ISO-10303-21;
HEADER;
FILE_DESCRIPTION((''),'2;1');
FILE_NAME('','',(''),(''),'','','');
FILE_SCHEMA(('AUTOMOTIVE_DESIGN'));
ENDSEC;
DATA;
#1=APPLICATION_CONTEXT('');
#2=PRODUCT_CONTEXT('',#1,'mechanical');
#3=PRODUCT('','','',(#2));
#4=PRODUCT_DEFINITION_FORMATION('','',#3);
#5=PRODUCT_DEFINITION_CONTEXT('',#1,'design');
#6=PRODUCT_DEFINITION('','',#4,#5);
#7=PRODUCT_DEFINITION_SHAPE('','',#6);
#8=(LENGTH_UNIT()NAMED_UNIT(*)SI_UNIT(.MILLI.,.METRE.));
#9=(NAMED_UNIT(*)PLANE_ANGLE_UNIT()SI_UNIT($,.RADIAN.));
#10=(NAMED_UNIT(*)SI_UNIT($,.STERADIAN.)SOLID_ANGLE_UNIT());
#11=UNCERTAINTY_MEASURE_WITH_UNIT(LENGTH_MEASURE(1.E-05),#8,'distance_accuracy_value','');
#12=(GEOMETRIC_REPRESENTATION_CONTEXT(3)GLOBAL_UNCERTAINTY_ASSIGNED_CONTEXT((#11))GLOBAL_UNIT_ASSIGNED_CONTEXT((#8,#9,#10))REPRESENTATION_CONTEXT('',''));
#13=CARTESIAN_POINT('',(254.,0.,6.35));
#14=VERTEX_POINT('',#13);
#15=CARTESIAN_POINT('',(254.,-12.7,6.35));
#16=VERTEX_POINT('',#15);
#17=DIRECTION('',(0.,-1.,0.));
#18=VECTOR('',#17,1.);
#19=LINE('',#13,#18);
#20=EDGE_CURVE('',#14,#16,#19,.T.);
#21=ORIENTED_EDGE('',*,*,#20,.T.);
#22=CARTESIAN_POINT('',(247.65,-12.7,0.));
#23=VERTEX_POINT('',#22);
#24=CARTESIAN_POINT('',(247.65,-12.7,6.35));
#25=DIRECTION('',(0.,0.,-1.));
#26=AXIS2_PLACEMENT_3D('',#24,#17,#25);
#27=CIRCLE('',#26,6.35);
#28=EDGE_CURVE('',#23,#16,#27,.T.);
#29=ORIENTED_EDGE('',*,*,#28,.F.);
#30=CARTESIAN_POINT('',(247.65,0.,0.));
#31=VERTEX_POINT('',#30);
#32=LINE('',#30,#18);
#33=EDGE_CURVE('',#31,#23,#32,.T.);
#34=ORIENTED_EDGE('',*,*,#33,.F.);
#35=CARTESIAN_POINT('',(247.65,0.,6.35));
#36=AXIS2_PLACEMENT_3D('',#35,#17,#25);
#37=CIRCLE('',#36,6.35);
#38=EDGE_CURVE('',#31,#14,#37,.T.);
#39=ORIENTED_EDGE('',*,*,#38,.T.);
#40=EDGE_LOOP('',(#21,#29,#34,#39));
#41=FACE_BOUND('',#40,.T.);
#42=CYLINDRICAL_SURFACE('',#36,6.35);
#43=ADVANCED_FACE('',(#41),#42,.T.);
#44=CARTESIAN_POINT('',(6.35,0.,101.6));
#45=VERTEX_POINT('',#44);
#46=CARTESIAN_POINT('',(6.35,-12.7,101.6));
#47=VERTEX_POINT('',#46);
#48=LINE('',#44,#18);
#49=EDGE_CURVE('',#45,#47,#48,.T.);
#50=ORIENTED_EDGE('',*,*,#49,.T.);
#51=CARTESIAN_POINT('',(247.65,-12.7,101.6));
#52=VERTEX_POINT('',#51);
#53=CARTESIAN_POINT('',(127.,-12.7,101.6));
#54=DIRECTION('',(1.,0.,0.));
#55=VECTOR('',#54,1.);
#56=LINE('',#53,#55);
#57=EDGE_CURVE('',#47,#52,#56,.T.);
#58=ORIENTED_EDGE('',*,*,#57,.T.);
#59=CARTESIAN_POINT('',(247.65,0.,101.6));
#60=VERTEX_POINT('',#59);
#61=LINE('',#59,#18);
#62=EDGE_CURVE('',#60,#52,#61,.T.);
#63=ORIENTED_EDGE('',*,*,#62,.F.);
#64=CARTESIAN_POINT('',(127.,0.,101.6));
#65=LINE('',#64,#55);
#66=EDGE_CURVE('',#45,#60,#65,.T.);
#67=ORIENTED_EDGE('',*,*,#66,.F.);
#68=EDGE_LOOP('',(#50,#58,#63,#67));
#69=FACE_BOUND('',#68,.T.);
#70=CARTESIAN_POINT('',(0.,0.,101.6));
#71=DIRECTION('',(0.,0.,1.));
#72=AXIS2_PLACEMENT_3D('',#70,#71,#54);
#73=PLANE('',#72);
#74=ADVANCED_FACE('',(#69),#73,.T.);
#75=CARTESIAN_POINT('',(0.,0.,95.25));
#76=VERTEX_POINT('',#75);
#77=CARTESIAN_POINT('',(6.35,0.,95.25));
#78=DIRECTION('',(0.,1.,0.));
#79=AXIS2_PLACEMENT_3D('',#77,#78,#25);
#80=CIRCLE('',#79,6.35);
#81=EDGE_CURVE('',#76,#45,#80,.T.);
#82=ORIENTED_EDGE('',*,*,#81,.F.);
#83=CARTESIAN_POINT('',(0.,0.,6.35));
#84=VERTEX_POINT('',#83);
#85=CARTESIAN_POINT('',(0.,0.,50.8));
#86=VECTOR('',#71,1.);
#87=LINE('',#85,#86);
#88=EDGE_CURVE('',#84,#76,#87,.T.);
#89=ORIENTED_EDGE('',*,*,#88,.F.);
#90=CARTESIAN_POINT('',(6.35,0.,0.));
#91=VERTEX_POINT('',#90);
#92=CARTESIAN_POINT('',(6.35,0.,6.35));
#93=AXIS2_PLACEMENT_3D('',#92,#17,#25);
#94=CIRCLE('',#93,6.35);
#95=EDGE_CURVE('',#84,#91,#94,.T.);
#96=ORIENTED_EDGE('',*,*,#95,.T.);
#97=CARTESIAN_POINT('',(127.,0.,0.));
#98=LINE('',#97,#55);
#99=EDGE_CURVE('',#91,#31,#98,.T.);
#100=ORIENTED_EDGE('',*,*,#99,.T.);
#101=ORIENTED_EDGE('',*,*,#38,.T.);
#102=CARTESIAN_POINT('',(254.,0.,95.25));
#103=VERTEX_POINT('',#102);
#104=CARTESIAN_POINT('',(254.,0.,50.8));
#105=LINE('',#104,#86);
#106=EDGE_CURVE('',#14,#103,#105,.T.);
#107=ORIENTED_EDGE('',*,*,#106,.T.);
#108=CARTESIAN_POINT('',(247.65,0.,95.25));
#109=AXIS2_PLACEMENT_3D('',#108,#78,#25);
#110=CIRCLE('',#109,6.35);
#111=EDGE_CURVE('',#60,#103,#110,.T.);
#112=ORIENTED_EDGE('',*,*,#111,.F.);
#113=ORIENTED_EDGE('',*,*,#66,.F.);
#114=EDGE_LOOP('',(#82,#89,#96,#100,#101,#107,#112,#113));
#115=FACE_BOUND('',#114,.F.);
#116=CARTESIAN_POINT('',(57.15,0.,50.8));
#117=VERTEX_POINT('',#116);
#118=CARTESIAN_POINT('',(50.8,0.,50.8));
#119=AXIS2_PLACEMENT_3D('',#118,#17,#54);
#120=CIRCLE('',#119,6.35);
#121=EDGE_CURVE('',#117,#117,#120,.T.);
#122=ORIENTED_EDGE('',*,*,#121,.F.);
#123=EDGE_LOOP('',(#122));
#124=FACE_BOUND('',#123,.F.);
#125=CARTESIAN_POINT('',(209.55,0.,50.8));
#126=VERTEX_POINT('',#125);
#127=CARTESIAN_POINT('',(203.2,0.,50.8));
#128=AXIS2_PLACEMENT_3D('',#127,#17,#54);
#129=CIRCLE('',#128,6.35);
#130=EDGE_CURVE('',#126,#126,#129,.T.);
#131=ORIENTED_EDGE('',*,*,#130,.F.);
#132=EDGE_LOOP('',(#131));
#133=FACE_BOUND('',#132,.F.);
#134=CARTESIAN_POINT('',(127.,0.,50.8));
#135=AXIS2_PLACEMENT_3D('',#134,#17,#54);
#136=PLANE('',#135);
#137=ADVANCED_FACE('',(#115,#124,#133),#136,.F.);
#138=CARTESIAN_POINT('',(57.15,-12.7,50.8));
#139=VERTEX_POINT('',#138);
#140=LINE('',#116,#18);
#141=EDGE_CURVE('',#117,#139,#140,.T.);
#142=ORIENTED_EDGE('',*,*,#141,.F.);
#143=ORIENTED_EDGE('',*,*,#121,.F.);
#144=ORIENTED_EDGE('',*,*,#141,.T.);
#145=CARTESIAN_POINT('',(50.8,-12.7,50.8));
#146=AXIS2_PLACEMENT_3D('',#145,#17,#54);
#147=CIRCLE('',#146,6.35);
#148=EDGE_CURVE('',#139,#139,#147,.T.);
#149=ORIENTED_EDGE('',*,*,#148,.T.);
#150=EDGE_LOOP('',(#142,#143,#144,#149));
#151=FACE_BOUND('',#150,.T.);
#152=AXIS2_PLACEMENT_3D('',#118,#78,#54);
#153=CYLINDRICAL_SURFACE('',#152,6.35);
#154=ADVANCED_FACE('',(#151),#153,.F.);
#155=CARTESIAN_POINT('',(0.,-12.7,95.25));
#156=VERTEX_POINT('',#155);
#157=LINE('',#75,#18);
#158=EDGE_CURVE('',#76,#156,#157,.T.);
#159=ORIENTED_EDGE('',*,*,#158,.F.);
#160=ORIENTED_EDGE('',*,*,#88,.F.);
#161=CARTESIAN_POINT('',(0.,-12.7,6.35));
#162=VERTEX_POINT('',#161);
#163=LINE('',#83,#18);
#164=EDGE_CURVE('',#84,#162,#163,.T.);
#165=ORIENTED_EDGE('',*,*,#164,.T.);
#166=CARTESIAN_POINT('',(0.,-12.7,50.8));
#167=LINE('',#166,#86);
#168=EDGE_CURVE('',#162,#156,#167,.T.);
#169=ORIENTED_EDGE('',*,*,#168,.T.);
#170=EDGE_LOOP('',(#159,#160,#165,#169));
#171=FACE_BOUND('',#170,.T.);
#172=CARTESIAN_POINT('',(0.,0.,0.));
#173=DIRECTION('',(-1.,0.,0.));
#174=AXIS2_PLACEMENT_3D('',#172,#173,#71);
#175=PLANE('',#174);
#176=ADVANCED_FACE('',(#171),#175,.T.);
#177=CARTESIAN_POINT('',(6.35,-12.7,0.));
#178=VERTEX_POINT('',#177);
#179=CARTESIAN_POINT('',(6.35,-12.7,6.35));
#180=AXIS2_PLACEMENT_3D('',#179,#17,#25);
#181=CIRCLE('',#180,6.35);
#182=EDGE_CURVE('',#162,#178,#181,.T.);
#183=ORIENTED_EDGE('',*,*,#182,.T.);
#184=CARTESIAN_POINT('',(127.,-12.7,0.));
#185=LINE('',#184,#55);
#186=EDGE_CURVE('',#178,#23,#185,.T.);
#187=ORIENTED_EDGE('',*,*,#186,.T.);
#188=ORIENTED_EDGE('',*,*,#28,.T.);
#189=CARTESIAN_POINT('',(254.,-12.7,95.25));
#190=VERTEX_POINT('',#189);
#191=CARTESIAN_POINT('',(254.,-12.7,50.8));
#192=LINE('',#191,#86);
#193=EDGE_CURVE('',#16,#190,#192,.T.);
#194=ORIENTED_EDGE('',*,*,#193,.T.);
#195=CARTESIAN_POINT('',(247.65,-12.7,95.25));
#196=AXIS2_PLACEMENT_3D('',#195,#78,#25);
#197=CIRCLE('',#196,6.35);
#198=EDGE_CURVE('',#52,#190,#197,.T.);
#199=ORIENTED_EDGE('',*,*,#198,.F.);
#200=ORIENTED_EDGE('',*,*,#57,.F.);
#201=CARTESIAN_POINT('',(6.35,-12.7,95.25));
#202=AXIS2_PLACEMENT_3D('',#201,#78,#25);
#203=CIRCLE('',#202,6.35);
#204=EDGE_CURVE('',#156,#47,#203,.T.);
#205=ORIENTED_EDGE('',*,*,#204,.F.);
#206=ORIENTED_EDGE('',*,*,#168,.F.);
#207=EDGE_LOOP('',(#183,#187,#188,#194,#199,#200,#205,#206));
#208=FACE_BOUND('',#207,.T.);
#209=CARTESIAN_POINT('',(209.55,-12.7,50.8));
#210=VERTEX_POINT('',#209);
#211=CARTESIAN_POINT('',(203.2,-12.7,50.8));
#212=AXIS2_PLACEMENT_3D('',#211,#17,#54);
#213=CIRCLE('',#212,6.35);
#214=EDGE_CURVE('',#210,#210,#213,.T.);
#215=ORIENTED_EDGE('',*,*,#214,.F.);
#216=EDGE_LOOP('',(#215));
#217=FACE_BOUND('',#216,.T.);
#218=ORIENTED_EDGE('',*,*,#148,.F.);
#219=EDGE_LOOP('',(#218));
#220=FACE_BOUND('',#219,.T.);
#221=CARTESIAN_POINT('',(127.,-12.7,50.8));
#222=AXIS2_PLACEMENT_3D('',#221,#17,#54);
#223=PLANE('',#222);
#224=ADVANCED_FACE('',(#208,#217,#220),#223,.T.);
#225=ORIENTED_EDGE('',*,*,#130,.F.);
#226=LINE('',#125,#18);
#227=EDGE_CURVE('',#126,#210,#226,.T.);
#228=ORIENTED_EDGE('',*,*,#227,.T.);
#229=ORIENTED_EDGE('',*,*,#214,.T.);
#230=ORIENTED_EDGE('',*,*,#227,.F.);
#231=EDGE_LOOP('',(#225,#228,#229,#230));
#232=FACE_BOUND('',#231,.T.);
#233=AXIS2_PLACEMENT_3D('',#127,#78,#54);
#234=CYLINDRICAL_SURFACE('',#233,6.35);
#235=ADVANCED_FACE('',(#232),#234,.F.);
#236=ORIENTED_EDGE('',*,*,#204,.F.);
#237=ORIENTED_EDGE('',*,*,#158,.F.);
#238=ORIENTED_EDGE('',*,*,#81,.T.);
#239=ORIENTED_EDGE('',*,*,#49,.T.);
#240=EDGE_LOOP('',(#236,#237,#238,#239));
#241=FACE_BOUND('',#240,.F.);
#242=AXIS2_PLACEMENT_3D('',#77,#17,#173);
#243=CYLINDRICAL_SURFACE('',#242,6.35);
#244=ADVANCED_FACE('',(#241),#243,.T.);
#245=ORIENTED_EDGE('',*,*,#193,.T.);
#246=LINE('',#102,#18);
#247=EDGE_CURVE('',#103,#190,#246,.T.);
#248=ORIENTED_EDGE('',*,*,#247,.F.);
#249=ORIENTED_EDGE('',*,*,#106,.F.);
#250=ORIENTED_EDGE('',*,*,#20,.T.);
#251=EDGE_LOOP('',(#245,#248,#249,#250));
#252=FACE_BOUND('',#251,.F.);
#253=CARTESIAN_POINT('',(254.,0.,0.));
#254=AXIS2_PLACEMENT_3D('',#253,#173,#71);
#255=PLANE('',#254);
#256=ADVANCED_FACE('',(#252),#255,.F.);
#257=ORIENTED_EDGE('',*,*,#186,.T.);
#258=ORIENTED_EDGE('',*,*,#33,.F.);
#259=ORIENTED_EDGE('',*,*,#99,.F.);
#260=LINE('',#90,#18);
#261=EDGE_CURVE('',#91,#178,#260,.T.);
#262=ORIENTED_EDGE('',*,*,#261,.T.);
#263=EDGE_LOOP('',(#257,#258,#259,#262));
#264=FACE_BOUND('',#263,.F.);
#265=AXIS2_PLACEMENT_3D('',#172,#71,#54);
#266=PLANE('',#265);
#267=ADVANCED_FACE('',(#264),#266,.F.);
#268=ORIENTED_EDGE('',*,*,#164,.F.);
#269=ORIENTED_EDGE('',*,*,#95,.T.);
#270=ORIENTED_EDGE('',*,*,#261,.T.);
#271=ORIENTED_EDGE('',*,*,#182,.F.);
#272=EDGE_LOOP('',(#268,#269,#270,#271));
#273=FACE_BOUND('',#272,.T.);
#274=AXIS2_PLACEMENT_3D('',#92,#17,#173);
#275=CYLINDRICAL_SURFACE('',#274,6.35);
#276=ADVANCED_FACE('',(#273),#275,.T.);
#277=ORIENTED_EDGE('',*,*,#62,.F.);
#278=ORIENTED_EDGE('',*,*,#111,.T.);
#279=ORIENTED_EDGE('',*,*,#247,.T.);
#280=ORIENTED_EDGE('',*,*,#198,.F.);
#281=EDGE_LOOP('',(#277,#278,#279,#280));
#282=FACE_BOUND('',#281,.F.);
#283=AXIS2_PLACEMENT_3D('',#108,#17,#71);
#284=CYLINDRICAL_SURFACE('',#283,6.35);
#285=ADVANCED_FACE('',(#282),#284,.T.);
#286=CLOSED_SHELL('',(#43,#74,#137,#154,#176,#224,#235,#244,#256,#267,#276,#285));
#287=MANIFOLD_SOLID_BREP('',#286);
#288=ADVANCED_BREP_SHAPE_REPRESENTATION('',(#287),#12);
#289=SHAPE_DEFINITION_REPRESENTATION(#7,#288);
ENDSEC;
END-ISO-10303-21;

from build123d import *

# Parameters (mm, degrees)
F0_W     = 254
F0_H     = 101.6
F0_R     = 6.35
F1_DEPTH = 12.7
F2_R     = 6.35


with BuildPart() as f1:
    # F0 (on Front) → F1 (new body)
    with BuildSketch(Plane.XZ):
        with Locations((127, 50.8)):
            Rectangle(F0_W, F0_H)
        with Locations((50.8, 50.8)):
            Circle(F0_R, mode=Mode.SUBTRACT)
        with Locations((203.2, 50.8)):
            Circle(F0_R, mode=Mode.SUBTRACT)
    extrude(amount=F1_DEPTH)

    # F2
    f2_edges = [f1.edges().sort_by_distance(p)[0] for p in [
        (0, -6.35, 101.6),
        (0, -6.35, 0),
        (254, -6.35, 101.6),
        (254, -6.35, 0),
    ]]
    fillet(f2_edges, radius=F2_R)


solid = f1.part
